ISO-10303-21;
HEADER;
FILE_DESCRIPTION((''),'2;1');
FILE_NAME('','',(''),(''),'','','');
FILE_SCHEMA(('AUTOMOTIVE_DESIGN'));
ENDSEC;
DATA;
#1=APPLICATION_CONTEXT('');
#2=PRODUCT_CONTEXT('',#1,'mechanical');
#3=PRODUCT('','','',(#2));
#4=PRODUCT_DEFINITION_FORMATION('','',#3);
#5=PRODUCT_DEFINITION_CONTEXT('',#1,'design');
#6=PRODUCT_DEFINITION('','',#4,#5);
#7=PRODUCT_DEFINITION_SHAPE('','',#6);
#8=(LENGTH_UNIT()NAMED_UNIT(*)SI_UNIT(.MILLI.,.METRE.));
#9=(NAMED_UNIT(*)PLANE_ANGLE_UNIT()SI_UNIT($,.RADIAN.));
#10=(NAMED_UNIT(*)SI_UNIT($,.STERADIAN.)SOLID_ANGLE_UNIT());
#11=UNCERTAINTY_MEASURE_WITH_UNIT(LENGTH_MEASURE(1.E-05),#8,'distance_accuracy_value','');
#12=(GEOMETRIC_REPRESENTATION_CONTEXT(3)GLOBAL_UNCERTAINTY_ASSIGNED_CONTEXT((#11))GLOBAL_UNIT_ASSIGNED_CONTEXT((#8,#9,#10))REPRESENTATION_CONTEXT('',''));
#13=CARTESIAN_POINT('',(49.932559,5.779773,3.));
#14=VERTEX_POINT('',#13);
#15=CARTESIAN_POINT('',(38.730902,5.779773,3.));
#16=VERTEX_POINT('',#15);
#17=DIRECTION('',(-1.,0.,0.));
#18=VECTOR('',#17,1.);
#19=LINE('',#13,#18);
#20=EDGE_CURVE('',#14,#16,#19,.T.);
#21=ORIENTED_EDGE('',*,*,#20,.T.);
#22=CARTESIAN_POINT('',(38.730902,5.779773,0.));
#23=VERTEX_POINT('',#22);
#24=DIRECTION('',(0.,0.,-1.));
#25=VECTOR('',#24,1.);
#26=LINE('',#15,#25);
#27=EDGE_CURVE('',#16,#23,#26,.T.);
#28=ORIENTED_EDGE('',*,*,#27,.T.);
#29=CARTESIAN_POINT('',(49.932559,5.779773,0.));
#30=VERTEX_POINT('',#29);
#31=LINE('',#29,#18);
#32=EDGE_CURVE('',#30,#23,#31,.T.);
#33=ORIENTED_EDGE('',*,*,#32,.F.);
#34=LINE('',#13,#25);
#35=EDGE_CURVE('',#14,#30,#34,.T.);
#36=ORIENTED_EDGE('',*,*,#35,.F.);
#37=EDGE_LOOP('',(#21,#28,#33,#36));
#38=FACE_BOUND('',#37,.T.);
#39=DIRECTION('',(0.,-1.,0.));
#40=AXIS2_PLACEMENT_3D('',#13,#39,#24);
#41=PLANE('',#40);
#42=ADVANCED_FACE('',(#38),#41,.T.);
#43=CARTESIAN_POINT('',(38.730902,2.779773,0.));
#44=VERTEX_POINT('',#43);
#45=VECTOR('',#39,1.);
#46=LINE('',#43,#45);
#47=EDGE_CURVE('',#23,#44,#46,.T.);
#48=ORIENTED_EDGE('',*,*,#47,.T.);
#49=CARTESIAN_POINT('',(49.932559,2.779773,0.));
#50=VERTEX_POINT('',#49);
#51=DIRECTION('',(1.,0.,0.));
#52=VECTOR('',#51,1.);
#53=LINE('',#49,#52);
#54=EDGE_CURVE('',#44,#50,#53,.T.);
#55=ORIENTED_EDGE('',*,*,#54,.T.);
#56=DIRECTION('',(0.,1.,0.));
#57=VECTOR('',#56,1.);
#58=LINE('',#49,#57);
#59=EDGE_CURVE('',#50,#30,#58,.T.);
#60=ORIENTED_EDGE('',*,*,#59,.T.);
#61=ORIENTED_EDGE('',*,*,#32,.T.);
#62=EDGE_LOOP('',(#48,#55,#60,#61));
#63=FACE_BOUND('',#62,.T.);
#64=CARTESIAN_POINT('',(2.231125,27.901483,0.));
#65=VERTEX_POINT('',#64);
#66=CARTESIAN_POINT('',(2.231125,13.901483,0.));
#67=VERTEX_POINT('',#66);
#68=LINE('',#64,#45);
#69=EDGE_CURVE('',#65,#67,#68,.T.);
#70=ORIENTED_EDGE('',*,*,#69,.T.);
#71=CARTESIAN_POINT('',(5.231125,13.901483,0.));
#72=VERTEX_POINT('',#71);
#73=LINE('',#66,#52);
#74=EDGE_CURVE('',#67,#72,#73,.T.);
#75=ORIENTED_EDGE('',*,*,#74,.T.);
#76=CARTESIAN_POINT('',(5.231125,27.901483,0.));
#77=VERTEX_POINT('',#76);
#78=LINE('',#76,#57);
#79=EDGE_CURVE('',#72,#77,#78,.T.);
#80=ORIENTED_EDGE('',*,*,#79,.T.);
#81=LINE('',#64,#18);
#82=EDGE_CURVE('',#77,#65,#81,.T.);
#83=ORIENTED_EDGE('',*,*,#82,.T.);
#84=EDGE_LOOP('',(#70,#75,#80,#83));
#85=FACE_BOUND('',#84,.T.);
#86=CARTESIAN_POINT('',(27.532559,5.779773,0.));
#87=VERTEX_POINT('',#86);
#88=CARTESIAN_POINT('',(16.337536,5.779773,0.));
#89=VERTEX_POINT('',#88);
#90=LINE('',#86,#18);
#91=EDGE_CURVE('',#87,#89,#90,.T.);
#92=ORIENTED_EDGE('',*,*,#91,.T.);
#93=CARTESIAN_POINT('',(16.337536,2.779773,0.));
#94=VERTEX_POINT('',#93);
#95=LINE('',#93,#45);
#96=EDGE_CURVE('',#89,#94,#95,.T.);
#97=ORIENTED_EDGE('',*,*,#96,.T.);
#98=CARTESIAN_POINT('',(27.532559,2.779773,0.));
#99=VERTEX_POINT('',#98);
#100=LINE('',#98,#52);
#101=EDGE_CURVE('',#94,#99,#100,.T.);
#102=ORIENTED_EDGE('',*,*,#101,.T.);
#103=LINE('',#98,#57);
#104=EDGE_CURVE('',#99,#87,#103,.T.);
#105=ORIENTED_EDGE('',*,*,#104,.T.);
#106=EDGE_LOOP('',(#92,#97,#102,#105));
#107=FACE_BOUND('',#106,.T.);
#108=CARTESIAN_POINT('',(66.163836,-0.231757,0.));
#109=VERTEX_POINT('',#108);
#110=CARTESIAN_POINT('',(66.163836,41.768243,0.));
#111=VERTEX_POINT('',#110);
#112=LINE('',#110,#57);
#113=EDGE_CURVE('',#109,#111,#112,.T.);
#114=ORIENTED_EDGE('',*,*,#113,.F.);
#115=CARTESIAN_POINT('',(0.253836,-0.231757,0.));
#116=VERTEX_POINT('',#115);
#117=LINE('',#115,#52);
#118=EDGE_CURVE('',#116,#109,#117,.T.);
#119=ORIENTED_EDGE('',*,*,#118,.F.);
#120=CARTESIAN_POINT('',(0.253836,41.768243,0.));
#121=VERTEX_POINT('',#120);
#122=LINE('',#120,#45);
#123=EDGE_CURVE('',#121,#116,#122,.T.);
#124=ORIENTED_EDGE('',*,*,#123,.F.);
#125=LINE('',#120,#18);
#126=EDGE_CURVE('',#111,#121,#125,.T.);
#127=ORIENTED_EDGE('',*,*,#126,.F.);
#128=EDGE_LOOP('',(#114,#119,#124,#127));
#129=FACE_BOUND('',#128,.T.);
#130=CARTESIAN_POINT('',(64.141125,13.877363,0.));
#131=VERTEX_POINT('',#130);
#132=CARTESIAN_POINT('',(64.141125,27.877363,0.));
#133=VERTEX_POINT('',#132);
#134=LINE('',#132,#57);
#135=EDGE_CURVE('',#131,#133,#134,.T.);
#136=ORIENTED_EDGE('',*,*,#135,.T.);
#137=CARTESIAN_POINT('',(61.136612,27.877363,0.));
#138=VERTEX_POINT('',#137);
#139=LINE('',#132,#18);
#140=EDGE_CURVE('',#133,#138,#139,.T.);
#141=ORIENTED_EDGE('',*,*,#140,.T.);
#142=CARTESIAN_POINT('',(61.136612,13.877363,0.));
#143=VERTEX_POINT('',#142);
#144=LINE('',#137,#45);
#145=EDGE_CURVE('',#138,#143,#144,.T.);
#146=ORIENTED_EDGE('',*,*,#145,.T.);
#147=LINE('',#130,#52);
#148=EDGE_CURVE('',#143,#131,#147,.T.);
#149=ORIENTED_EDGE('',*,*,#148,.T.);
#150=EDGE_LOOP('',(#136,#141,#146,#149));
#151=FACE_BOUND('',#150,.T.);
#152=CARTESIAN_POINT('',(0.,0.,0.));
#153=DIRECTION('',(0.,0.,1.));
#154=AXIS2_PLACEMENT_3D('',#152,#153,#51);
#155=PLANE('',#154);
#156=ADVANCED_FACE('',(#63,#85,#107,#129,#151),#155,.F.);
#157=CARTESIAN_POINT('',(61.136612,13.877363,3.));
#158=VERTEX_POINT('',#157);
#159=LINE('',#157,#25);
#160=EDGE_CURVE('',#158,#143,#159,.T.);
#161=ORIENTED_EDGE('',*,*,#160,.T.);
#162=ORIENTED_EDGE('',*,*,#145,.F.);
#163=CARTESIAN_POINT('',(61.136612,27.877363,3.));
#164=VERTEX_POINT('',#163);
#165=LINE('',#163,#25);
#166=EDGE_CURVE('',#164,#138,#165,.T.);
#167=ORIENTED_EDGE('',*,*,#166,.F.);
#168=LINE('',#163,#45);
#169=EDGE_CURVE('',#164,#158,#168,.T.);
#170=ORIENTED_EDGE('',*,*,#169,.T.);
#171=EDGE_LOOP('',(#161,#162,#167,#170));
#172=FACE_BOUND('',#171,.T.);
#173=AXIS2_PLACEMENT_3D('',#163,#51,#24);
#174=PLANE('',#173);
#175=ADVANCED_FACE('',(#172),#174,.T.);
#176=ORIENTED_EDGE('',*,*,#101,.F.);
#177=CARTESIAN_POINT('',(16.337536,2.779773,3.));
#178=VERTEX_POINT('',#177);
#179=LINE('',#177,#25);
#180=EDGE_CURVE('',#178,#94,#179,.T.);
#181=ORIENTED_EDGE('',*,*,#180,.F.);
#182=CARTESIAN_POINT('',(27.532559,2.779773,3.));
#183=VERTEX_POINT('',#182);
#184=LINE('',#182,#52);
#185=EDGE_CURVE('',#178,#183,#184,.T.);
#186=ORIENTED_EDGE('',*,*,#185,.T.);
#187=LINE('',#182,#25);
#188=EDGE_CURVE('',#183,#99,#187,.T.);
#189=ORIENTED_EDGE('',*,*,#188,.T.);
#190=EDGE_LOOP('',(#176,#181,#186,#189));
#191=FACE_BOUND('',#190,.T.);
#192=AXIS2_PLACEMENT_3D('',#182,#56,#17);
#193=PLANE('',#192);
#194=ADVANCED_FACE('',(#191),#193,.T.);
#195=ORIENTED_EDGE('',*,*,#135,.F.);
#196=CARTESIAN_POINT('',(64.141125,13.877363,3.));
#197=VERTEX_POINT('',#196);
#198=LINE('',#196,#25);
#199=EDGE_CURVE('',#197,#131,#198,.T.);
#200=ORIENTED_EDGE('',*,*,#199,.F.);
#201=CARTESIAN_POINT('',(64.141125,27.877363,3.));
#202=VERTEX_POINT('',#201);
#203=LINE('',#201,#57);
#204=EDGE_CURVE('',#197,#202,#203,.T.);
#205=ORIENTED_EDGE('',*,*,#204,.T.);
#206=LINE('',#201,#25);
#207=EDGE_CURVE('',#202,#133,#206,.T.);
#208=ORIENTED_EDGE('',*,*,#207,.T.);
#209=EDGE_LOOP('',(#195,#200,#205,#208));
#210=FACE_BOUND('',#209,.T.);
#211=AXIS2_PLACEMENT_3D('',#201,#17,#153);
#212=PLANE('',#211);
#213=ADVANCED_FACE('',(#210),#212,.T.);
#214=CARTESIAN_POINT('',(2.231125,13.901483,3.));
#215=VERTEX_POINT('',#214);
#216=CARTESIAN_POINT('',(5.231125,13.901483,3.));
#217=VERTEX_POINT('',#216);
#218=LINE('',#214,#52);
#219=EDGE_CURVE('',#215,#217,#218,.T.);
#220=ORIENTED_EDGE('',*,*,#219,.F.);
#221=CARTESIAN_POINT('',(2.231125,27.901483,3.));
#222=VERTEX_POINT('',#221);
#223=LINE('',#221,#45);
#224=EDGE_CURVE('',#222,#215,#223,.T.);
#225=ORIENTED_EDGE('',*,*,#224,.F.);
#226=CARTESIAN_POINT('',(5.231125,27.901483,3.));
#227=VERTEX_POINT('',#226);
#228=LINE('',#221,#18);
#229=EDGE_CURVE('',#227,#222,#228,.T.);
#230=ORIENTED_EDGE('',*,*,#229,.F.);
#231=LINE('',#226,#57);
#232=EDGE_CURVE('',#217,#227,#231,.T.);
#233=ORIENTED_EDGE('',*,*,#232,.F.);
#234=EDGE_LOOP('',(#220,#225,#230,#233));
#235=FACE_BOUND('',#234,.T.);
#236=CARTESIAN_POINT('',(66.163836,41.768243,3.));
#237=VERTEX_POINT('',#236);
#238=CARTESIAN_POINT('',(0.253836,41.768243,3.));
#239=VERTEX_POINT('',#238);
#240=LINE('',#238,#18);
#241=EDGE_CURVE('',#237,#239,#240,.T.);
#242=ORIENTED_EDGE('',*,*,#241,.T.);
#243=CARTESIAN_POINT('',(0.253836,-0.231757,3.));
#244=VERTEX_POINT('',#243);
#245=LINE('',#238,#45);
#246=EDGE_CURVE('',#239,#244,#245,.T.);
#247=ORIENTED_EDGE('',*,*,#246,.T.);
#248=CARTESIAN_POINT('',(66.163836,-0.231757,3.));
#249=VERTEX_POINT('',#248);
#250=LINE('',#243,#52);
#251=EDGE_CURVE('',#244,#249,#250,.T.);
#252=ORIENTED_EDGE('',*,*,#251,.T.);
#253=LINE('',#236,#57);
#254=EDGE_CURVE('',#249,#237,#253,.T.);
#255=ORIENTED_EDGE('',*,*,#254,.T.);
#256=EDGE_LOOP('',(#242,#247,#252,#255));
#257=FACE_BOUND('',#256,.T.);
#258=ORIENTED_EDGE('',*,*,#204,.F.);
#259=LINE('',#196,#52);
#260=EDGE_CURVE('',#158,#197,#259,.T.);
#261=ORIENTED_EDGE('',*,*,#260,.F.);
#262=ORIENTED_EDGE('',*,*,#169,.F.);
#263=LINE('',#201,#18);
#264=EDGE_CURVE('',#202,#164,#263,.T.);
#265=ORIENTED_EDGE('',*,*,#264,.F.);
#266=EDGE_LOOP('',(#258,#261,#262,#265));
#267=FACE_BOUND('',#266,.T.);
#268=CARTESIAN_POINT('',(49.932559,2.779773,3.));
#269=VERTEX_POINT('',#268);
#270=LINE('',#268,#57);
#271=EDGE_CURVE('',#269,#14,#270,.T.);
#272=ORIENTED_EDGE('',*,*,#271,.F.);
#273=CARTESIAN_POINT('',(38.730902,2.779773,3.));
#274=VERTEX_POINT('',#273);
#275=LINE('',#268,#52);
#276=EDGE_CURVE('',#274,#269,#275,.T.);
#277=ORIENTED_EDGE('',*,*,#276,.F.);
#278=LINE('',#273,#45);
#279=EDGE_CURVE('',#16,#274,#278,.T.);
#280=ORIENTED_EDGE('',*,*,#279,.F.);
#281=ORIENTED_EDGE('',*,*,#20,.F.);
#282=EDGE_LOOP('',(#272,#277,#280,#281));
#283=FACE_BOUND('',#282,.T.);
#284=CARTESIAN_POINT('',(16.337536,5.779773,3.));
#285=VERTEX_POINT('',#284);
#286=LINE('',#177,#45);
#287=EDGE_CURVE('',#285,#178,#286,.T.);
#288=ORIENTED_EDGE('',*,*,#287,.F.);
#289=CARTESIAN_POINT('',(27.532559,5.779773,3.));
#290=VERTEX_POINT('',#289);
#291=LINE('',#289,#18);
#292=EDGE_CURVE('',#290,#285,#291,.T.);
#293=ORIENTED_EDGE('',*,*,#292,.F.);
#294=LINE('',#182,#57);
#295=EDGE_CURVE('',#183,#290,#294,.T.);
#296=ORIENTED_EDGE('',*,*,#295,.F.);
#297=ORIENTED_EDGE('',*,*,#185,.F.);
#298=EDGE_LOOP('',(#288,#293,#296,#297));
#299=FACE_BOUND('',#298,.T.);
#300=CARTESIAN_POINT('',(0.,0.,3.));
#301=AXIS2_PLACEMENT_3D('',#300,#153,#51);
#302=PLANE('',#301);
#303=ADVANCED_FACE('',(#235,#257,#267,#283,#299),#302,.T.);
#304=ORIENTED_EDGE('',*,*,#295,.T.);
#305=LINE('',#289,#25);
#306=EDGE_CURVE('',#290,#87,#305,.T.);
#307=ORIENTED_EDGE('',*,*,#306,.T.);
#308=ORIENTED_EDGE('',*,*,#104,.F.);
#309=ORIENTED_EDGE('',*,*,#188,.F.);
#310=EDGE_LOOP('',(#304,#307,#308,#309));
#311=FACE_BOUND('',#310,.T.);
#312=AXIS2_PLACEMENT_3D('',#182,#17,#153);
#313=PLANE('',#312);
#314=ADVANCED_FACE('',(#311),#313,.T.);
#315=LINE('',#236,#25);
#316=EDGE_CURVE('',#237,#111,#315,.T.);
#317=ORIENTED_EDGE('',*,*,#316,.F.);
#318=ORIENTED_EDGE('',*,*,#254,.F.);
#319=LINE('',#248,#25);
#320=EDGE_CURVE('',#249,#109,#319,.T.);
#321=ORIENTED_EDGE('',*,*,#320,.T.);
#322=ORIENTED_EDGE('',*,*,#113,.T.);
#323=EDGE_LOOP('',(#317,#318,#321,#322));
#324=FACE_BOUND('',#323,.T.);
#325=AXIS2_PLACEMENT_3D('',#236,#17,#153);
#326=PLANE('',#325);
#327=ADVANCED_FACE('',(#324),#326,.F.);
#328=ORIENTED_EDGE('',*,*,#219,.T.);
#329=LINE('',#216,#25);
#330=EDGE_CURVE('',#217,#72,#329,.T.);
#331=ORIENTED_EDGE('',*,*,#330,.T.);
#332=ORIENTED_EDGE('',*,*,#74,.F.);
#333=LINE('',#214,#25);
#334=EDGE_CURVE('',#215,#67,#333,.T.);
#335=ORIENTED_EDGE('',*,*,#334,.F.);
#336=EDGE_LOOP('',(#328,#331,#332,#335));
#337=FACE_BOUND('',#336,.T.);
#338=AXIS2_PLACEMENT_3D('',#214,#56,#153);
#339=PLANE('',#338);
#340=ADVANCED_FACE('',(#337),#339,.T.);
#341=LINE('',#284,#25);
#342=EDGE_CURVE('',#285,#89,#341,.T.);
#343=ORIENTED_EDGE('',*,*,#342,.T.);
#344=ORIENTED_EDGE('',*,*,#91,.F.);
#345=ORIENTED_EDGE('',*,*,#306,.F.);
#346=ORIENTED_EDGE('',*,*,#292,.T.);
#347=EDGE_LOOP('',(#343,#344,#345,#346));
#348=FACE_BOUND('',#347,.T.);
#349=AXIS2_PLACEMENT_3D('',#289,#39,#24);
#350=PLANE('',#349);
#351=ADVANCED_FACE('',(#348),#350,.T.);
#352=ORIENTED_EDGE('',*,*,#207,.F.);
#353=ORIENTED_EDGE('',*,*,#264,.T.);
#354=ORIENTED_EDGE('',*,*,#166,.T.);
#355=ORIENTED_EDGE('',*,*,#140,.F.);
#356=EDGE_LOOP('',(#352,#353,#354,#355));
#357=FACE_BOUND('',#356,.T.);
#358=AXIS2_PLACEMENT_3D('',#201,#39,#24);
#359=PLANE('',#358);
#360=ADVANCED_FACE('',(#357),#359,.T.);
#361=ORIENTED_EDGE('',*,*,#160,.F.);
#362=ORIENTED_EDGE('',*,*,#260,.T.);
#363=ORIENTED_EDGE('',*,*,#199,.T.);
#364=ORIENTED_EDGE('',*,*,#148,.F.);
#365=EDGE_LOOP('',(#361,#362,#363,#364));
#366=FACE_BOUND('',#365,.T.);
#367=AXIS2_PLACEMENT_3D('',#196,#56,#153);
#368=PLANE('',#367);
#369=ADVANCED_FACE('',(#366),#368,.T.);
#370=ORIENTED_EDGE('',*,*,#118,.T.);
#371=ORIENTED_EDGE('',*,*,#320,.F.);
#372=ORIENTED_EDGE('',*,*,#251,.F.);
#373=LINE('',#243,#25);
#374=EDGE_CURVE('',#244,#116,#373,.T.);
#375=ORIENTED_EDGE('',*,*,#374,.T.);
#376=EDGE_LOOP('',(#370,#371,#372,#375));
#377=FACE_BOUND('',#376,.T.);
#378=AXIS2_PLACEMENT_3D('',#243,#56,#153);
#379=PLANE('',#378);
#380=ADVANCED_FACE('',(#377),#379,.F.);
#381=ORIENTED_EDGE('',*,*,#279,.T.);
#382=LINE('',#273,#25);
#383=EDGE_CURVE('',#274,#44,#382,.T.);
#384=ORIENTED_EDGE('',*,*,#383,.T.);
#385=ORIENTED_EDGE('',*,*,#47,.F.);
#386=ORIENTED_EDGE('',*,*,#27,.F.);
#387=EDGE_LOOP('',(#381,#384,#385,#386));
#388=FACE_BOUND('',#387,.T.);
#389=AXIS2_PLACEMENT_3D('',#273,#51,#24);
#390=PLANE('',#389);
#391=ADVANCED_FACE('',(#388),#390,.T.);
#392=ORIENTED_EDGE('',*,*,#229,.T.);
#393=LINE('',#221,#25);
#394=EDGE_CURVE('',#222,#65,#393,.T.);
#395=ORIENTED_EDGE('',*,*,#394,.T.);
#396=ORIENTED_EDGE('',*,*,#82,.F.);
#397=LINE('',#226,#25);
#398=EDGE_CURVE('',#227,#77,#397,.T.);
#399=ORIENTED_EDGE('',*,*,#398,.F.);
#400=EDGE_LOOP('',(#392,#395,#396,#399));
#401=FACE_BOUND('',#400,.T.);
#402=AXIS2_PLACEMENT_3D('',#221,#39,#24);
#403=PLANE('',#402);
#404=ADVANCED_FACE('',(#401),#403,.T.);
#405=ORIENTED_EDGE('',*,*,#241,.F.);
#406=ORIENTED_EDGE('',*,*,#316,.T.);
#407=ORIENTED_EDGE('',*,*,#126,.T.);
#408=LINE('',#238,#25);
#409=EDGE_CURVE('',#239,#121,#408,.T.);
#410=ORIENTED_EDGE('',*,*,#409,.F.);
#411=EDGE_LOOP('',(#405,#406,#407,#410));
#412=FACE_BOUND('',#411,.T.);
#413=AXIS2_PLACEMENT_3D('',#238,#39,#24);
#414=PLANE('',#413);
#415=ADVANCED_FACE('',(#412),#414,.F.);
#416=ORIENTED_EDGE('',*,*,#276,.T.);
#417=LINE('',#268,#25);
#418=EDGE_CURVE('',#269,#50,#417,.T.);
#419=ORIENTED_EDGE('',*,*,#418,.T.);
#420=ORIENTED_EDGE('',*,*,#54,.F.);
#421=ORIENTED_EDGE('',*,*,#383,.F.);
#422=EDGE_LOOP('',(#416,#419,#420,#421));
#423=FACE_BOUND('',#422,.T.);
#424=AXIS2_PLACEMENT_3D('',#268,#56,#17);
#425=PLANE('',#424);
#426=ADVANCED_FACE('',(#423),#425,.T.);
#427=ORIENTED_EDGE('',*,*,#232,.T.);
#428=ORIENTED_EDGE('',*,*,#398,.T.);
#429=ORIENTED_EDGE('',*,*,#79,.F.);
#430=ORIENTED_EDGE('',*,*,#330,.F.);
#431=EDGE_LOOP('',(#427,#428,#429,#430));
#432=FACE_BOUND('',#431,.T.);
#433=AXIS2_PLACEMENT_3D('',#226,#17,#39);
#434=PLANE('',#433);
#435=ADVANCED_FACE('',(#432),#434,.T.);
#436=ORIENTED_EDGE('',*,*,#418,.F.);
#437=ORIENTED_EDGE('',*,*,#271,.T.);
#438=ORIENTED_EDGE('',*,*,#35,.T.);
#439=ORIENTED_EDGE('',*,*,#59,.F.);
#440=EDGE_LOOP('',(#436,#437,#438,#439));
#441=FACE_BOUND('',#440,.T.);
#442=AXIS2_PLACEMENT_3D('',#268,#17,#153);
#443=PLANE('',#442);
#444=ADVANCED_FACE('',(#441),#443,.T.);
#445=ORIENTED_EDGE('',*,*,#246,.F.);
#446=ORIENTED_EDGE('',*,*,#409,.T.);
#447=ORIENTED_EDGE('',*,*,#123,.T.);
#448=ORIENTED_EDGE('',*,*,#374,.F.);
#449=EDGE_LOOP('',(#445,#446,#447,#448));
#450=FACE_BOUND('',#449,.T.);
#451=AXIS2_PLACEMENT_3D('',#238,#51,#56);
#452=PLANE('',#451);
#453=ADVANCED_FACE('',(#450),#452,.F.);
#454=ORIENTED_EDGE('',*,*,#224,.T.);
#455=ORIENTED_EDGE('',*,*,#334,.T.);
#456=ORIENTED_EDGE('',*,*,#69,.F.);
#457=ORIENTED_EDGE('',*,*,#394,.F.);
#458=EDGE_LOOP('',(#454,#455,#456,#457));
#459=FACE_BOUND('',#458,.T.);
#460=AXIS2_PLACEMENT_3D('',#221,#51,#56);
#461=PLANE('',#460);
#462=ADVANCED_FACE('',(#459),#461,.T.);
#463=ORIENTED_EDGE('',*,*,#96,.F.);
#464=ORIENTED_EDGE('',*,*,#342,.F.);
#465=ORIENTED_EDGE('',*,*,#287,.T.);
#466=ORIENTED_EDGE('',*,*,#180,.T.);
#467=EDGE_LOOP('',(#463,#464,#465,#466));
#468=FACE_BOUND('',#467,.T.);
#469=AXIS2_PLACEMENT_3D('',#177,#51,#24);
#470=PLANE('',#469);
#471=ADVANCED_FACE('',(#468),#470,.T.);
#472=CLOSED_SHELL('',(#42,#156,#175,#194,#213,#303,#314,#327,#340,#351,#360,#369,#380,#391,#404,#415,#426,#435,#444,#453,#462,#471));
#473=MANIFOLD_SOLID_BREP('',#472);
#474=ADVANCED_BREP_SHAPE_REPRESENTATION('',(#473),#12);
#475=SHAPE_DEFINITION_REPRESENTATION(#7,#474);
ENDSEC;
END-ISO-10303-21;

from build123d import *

# Parameters (mm, degrees)
ESQUISSE1_W        = 65.91
ESQUISSE1_H        = 42
ESQUISSE1_W_2      = 3
ESQUISSE1_H_2      = 14
ESQUISSE1_W_3      = 11.201657275
ESQUISSE1_H_3      = 3
ESQUISSE1_W_4      = 11.195023061
ESQUISSE1_W_5      = 3.00451359
BOSS_EXTRU_6_DEPTH = 3


with BuildPart() as part:
    # Esquisse1 → Boss.-Extru.6 (new body)
    with BuildSketch(Plane.XY):
        with Locations((33.208835649, 20.768243176)):
            Rectangle(ESQUISSE1_W, ESQUISSE1_H)
        with Locations((3.731125427, 20.90148268)):
            Rectangle(ESQUISSE1_W_2, ESQUISSE1_H_2, mode=Mode.SUBTRACT)
        with Locations((44.331730189, 4.279773399)):
            Rectangle(ESQUISSE1_W_3, ESQUISSE1_H_3, mode=Mode.SUBTRACT)
        with Locations((21.935047296, 4.279773399)):
            Rectangle(ESQUISSE1_W_4, ESQUISSE1_H_3, mode=Mode.SUBTRACT)
        with Locations((62.638868632, 20.877363246)):
            Rectangle(ESQUISSE1_W_5, ESQUISSE1_H_2, mode=Mode.SUBTRACT)
    extrude(amount=BOSS_EXTRU_6_DEPTH)


solid = part.part
